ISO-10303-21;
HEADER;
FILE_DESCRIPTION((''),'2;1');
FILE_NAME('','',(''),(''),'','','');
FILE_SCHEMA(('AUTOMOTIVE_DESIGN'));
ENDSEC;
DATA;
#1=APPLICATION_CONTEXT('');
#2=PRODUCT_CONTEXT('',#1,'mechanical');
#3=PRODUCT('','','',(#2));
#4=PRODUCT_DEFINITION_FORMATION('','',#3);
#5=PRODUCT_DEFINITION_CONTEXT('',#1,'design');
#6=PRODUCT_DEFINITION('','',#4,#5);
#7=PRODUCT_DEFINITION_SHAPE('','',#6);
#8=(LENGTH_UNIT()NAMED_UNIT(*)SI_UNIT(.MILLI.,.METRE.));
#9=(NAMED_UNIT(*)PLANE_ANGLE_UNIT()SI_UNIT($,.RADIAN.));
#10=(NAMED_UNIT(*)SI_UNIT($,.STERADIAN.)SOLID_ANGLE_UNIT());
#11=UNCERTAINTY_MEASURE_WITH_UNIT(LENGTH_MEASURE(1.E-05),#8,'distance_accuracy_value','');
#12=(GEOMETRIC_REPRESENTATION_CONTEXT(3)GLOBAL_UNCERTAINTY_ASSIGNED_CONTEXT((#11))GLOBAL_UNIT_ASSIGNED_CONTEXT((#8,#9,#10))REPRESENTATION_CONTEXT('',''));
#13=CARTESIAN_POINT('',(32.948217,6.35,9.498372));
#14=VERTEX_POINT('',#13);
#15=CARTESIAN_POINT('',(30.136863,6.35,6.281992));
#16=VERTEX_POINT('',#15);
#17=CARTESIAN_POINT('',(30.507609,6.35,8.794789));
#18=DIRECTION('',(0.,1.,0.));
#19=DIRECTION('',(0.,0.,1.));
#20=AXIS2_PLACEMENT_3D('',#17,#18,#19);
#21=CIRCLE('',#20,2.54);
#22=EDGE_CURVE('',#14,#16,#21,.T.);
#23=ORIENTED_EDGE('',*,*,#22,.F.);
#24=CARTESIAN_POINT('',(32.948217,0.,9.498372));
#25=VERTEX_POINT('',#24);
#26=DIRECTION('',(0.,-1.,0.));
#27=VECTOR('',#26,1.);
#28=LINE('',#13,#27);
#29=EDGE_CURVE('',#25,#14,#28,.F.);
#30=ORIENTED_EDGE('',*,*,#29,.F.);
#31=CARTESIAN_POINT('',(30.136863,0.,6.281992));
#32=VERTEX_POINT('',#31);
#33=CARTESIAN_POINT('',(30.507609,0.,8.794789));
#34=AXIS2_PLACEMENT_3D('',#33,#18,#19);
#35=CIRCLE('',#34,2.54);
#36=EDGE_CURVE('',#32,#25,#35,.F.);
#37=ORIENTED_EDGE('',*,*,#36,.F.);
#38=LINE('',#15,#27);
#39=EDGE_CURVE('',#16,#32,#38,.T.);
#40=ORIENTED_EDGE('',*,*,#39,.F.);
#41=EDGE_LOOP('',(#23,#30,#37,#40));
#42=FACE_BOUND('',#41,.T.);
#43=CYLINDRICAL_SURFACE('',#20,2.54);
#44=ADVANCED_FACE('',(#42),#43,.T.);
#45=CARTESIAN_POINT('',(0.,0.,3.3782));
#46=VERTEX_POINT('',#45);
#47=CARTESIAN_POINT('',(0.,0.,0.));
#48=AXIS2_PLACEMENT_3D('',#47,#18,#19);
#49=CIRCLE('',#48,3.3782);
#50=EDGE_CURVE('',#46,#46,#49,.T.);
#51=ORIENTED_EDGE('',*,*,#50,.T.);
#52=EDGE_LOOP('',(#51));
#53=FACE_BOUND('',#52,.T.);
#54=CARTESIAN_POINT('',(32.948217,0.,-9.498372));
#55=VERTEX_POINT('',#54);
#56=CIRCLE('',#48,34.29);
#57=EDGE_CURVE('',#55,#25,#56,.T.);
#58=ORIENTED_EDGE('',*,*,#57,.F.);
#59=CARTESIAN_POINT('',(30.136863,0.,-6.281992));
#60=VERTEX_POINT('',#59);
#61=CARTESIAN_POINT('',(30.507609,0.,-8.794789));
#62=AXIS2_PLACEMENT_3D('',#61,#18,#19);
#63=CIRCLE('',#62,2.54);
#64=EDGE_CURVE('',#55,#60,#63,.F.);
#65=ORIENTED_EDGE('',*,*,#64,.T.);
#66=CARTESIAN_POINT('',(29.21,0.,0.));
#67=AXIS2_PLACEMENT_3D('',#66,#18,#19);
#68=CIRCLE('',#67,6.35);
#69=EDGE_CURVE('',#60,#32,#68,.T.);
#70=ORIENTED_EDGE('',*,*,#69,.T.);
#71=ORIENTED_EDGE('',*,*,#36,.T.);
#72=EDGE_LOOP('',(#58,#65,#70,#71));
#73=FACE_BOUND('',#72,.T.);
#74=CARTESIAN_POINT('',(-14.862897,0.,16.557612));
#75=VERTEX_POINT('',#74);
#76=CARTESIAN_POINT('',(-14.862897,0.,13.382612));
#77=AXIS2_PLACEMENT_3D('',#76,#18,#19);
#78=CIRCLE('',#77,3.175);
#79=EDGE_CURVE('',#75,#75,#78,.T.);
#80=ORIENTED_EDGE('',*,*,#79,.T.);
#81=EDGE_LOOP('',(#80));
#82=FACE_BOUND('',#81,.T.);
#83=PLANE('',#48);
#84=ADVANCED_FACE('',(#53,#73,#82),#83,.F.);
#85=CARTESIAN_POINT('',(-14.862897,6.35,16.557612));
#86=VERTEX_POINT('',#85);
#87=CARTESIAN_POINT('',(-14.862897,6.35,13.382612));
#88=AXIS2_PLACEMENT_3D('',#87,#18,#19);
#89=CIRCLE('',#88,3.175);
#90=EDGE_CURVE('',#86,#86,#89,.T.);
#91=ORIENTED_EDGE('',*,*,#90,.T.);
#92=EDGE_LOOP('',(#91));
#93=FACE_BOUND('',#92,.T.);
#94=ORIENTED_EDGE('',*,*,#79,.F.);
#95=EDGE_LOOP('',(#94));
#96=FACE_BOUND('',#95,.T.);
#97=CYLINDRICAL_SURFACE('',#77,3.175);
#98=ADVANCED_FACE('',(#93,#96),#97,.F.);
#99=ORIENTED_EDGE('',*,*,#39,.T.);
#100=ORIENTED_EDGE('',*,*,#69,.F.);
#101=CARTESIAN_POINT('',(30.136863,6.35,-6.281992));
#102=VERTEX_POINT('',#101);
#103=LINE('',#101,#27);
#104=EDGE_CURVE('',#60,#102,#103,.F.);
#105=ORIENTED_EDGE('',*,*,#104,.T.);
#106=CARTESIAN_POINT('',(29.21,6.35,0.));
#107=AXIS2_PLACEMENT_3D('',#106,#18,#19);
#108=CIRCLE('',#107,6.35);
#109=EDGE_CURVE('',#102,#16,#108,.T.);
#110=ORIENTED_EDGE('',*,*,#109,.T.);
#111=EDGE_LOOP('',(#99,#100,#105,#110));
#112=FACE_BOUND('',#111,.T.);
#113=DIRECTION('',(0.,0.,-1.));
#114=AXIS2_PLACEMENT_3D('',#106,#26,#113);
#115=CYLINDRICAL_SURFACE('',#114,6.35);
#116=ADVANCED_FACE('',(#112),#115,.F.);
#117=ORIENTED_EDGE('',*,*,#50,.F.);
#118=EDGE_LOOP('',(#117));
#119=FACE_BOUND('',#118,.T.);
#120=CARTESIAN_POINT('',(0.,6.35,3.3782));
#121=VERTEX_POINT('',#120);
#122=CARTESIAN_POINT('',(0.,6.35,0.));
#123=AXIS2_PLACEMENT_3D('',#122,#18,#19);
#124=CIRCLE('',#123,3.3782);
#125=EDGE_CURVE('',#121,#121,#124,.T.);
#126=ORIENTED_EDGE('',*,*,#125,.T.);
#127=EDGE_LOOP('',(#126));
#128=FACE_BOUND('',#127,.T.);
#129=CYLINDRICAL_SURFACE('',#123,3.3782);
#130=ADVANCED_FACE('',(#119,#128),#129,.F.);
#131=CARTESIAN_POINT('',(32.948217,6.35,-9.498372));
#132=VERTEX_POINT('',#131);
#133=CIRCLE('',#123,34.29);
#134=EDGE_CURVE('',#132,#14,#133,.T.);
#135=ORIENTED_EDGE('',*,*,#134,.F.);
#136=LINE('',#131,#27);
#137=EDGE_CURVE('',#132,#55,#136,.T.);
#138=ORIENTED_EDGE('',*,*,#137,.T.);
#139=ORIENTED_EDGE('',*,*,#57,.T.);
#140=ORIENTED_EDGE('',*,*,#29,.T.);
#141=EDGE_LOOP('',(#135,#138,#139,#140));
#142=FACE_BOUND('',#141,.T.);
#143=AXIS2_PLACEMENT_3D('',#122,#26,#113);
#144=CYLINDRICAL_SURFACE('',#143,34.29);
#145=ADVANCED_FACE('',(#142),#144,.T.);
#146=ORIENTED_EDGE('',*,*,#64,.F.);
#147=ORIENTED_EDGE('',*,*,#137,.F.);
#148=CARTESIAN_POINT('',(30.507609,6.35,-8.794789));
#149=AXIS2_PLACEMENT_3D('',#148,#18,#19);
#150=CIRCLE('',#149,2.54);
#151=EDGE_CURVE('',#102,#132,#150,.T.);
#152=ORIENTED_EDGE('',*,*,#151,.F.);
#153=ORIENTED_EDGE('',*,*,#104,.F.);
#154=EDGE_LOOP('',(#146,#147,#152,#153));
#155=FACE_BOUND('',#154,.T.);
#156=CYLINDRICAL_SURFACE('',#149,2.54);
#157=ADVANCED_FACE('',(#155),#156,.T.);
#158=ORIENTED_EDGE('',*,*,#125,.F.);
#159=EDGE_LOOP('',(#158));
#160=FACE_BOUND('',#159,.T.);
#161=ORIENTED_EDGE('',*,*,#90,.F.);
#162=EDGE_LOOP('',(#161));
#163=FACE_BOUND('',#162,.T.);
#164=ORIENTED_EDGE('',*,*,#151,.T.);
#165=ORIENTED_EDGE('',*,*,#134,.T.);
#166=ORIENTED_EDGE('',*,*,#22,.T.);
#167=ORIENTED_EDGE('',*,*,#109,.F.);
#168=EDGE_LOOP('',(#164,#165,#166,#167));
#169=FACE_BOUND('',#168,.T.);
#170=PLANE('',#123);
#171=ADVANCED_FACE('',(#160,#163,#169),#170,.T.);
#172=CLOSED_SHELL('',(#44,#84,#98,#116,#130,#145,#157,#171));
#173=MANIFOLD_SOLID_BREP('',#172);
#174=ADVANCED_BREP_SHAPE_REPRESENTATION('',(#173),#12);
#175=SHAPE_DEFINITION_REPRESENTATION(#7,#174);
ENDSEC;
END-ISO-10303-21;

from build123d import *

# Parameters (mm, degrees)
BOSS_EXTRUDE1_DEPTH     = 6.35
F_1_4_CLEARANCE_HOLE1_D = 6.7564
FILLET1_R               = 2.54
SKETCH4_R               = 3.175
CUT_EXTRUDE1_DEPTH      = 7.3500001


with BuildPart() as part:
    # Sketch1 → Boss-Extrude1 (new body)
    with BuildSketch(Plane(origin=(0, 0, 0), x_dir=(1, 0, 0), z_dir=(0, 1, 0))):
        with BuildLine():
            ThreePointArc((34.041521739, -4.120545799), (22.86, 0), (34.041521739, 4.120545799))
            ThreePointArc((34.041521739, 4.120545799), (-34.29, 0), (34.041521739, -4.120545799))
        make_face()
    extrude(amount=BOSS_EXTRUDE1_DEPTH)

    # 1/4 Clearance Hole1 (through all)
    with Locations(Plane(origin=(0, 6.35, 0), x_dir=(1, 0, 0), z_dir=(0, 1, 0))):
        with Locations((0, 0)):
            Hole(F_1_4_CLEARANCE_HOLE1_D / 2)

    # Fillet1
    fillet1_edges = [part.edges().sort_by_distance(p)[0] for p in [
        (34.041521739, 3.175, 4.120545799),
        (34.041521739, 3.175, -4.120545799),
    ]]
    fillet(fillet1_edges, radius=FILLET1_R)

    # Sketch4 → Cut-Extrude1 (cut, through all)
    with BuildSketch(Plane(origin=(0, 6.35, 0), x_dir=(1, 0, 0), z_dir=(0, 1, 0))):
        with Locations((-14.86289651, -13.382612127)):
            Circle(SKETCH4_R)
    extrude(amount=-CUT_EXTRUDE1_DEPTH, mode=Mode.SUBTRACT)


solid = part.part
